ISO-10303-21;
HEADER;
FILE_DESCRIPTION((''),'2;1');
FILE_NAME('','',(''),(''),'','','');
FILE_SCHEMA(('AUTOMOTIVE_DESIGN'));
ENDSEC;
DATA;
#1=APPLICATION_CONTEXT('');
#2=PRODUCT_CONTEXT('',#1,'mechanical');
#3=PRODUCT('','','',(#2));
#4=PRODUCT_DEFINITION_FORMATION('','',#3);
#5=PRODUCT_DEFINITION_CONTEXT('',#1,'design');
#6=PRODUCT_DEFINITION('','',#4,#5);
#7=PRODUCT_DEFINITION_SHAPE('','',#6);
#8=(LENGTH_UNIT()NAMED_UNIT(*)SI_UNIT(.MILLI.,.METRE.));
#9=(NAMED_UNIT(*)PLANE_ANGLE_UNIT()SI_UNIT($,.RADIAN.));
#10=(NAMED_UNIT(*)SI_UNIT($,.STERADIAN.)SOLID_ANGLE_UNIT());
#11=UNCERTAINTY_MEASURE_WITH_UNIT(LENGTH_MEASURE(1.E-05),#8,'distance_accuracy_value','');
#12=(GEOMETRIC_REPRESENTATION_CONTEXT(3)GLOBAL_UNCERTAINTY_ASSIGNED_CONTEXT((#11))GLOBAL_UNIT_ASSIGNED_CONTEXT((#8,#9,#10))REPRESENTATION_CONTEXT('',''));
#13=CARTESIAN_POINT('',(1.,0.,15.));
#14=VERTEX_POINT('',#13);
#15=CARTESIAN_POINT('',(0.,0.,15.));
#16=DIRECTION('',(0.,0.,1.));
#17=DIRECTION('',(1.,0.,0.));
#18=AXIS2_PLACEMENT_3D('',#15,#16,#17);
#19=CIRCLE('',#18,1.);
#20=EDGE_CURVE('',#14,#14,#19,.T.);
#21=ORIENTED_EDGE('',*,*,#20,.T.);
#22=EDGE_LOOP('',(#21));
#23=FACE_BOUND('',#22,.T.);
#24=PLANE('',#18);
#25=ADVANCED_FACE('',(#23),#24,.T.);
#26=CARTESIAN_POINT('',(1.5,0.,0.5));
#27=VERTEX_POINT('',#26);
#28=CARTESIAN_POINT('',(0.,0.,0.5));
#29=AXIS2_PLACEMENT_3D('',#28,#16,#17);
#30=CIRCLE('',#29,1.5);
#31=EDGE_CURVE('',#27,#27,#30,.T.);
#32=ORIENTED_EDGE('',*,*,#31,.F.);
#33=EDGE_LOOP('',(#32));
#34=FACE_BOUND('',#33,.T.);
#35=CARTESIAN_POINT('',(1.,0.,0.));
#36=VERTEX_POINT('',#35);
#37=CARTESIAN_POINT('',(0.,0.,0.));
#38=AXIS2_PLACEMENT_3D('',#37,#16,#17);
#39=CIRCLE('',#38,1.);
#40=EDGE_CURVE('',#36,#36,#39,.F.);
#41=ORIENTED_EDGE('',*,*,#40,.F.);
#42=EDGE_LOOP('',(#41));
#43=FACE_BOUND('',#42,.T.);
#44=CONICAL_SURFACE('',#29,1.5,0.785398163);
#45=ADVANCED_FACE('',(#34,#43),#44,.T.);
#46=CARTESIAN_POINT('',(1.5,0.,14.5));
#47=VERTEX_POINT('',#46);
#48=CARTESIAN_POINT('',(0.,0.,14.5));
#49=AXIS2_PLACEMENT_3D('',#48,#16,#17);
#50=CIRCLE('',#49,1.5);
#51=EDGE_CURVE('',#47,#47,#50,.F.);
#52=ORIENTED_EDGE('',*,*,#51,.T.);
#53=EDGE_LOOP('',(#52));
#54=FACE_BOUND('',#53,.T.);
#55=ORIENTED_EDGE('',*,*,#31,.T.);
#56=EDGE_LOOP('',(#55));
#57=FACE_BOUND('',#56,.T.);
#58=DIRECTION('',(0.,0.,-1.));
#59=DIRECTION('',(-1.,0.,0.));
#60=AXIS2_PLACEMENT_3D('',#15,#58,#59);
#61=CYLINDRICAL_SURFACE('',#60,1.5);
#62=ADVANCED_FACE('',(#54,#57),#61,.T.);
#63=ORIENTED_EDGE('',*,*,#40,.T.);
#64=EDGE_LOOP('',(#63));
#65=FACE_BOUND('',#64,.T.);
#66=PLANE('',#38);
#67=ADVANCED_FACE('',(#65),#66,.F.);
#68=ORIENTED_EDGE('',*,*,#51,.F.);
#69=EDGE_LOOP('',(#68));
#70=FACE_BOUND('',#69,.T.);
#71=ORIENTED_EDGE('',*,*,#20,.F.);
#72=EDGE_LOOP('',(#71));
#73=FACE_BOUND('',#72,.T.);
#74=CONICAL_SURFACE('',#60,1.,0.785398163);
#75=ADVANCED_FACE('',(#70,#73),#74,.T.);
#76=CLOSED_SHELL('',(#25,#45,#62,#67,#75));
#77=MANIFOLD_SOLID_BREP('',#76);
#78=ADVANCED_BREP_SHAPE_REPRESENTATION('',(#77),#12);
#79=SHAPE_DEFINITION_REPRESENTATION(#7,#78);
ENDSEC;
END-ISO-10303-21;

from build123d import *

# Parameters (mm, degrees)
SKETCH_1_R      = 1.5
EXTRUDE_1_DEPTH = 15
CHAMFER_1_SIZE  = 0.5


with BuildPart() as part:
    # Эскиз1 → Бобышка-Вытянуть1 (new body)
    with BuildSketch(Plane.XY):
        Circle(SKETCH_1_R)
    extrude(amount=EXTRUDE_1_DEPTH)

    # Фаска1
    chamfer_1_edges = [part.edges().sort_by_distance(p)[0] for p in [
        (-1.5, 0, 0),
        (-1.5, 0, 15),
    ]]
    chamfer(chamfer_1_edges, length=CHAMFER_1_SIZE)


solid = part.part
